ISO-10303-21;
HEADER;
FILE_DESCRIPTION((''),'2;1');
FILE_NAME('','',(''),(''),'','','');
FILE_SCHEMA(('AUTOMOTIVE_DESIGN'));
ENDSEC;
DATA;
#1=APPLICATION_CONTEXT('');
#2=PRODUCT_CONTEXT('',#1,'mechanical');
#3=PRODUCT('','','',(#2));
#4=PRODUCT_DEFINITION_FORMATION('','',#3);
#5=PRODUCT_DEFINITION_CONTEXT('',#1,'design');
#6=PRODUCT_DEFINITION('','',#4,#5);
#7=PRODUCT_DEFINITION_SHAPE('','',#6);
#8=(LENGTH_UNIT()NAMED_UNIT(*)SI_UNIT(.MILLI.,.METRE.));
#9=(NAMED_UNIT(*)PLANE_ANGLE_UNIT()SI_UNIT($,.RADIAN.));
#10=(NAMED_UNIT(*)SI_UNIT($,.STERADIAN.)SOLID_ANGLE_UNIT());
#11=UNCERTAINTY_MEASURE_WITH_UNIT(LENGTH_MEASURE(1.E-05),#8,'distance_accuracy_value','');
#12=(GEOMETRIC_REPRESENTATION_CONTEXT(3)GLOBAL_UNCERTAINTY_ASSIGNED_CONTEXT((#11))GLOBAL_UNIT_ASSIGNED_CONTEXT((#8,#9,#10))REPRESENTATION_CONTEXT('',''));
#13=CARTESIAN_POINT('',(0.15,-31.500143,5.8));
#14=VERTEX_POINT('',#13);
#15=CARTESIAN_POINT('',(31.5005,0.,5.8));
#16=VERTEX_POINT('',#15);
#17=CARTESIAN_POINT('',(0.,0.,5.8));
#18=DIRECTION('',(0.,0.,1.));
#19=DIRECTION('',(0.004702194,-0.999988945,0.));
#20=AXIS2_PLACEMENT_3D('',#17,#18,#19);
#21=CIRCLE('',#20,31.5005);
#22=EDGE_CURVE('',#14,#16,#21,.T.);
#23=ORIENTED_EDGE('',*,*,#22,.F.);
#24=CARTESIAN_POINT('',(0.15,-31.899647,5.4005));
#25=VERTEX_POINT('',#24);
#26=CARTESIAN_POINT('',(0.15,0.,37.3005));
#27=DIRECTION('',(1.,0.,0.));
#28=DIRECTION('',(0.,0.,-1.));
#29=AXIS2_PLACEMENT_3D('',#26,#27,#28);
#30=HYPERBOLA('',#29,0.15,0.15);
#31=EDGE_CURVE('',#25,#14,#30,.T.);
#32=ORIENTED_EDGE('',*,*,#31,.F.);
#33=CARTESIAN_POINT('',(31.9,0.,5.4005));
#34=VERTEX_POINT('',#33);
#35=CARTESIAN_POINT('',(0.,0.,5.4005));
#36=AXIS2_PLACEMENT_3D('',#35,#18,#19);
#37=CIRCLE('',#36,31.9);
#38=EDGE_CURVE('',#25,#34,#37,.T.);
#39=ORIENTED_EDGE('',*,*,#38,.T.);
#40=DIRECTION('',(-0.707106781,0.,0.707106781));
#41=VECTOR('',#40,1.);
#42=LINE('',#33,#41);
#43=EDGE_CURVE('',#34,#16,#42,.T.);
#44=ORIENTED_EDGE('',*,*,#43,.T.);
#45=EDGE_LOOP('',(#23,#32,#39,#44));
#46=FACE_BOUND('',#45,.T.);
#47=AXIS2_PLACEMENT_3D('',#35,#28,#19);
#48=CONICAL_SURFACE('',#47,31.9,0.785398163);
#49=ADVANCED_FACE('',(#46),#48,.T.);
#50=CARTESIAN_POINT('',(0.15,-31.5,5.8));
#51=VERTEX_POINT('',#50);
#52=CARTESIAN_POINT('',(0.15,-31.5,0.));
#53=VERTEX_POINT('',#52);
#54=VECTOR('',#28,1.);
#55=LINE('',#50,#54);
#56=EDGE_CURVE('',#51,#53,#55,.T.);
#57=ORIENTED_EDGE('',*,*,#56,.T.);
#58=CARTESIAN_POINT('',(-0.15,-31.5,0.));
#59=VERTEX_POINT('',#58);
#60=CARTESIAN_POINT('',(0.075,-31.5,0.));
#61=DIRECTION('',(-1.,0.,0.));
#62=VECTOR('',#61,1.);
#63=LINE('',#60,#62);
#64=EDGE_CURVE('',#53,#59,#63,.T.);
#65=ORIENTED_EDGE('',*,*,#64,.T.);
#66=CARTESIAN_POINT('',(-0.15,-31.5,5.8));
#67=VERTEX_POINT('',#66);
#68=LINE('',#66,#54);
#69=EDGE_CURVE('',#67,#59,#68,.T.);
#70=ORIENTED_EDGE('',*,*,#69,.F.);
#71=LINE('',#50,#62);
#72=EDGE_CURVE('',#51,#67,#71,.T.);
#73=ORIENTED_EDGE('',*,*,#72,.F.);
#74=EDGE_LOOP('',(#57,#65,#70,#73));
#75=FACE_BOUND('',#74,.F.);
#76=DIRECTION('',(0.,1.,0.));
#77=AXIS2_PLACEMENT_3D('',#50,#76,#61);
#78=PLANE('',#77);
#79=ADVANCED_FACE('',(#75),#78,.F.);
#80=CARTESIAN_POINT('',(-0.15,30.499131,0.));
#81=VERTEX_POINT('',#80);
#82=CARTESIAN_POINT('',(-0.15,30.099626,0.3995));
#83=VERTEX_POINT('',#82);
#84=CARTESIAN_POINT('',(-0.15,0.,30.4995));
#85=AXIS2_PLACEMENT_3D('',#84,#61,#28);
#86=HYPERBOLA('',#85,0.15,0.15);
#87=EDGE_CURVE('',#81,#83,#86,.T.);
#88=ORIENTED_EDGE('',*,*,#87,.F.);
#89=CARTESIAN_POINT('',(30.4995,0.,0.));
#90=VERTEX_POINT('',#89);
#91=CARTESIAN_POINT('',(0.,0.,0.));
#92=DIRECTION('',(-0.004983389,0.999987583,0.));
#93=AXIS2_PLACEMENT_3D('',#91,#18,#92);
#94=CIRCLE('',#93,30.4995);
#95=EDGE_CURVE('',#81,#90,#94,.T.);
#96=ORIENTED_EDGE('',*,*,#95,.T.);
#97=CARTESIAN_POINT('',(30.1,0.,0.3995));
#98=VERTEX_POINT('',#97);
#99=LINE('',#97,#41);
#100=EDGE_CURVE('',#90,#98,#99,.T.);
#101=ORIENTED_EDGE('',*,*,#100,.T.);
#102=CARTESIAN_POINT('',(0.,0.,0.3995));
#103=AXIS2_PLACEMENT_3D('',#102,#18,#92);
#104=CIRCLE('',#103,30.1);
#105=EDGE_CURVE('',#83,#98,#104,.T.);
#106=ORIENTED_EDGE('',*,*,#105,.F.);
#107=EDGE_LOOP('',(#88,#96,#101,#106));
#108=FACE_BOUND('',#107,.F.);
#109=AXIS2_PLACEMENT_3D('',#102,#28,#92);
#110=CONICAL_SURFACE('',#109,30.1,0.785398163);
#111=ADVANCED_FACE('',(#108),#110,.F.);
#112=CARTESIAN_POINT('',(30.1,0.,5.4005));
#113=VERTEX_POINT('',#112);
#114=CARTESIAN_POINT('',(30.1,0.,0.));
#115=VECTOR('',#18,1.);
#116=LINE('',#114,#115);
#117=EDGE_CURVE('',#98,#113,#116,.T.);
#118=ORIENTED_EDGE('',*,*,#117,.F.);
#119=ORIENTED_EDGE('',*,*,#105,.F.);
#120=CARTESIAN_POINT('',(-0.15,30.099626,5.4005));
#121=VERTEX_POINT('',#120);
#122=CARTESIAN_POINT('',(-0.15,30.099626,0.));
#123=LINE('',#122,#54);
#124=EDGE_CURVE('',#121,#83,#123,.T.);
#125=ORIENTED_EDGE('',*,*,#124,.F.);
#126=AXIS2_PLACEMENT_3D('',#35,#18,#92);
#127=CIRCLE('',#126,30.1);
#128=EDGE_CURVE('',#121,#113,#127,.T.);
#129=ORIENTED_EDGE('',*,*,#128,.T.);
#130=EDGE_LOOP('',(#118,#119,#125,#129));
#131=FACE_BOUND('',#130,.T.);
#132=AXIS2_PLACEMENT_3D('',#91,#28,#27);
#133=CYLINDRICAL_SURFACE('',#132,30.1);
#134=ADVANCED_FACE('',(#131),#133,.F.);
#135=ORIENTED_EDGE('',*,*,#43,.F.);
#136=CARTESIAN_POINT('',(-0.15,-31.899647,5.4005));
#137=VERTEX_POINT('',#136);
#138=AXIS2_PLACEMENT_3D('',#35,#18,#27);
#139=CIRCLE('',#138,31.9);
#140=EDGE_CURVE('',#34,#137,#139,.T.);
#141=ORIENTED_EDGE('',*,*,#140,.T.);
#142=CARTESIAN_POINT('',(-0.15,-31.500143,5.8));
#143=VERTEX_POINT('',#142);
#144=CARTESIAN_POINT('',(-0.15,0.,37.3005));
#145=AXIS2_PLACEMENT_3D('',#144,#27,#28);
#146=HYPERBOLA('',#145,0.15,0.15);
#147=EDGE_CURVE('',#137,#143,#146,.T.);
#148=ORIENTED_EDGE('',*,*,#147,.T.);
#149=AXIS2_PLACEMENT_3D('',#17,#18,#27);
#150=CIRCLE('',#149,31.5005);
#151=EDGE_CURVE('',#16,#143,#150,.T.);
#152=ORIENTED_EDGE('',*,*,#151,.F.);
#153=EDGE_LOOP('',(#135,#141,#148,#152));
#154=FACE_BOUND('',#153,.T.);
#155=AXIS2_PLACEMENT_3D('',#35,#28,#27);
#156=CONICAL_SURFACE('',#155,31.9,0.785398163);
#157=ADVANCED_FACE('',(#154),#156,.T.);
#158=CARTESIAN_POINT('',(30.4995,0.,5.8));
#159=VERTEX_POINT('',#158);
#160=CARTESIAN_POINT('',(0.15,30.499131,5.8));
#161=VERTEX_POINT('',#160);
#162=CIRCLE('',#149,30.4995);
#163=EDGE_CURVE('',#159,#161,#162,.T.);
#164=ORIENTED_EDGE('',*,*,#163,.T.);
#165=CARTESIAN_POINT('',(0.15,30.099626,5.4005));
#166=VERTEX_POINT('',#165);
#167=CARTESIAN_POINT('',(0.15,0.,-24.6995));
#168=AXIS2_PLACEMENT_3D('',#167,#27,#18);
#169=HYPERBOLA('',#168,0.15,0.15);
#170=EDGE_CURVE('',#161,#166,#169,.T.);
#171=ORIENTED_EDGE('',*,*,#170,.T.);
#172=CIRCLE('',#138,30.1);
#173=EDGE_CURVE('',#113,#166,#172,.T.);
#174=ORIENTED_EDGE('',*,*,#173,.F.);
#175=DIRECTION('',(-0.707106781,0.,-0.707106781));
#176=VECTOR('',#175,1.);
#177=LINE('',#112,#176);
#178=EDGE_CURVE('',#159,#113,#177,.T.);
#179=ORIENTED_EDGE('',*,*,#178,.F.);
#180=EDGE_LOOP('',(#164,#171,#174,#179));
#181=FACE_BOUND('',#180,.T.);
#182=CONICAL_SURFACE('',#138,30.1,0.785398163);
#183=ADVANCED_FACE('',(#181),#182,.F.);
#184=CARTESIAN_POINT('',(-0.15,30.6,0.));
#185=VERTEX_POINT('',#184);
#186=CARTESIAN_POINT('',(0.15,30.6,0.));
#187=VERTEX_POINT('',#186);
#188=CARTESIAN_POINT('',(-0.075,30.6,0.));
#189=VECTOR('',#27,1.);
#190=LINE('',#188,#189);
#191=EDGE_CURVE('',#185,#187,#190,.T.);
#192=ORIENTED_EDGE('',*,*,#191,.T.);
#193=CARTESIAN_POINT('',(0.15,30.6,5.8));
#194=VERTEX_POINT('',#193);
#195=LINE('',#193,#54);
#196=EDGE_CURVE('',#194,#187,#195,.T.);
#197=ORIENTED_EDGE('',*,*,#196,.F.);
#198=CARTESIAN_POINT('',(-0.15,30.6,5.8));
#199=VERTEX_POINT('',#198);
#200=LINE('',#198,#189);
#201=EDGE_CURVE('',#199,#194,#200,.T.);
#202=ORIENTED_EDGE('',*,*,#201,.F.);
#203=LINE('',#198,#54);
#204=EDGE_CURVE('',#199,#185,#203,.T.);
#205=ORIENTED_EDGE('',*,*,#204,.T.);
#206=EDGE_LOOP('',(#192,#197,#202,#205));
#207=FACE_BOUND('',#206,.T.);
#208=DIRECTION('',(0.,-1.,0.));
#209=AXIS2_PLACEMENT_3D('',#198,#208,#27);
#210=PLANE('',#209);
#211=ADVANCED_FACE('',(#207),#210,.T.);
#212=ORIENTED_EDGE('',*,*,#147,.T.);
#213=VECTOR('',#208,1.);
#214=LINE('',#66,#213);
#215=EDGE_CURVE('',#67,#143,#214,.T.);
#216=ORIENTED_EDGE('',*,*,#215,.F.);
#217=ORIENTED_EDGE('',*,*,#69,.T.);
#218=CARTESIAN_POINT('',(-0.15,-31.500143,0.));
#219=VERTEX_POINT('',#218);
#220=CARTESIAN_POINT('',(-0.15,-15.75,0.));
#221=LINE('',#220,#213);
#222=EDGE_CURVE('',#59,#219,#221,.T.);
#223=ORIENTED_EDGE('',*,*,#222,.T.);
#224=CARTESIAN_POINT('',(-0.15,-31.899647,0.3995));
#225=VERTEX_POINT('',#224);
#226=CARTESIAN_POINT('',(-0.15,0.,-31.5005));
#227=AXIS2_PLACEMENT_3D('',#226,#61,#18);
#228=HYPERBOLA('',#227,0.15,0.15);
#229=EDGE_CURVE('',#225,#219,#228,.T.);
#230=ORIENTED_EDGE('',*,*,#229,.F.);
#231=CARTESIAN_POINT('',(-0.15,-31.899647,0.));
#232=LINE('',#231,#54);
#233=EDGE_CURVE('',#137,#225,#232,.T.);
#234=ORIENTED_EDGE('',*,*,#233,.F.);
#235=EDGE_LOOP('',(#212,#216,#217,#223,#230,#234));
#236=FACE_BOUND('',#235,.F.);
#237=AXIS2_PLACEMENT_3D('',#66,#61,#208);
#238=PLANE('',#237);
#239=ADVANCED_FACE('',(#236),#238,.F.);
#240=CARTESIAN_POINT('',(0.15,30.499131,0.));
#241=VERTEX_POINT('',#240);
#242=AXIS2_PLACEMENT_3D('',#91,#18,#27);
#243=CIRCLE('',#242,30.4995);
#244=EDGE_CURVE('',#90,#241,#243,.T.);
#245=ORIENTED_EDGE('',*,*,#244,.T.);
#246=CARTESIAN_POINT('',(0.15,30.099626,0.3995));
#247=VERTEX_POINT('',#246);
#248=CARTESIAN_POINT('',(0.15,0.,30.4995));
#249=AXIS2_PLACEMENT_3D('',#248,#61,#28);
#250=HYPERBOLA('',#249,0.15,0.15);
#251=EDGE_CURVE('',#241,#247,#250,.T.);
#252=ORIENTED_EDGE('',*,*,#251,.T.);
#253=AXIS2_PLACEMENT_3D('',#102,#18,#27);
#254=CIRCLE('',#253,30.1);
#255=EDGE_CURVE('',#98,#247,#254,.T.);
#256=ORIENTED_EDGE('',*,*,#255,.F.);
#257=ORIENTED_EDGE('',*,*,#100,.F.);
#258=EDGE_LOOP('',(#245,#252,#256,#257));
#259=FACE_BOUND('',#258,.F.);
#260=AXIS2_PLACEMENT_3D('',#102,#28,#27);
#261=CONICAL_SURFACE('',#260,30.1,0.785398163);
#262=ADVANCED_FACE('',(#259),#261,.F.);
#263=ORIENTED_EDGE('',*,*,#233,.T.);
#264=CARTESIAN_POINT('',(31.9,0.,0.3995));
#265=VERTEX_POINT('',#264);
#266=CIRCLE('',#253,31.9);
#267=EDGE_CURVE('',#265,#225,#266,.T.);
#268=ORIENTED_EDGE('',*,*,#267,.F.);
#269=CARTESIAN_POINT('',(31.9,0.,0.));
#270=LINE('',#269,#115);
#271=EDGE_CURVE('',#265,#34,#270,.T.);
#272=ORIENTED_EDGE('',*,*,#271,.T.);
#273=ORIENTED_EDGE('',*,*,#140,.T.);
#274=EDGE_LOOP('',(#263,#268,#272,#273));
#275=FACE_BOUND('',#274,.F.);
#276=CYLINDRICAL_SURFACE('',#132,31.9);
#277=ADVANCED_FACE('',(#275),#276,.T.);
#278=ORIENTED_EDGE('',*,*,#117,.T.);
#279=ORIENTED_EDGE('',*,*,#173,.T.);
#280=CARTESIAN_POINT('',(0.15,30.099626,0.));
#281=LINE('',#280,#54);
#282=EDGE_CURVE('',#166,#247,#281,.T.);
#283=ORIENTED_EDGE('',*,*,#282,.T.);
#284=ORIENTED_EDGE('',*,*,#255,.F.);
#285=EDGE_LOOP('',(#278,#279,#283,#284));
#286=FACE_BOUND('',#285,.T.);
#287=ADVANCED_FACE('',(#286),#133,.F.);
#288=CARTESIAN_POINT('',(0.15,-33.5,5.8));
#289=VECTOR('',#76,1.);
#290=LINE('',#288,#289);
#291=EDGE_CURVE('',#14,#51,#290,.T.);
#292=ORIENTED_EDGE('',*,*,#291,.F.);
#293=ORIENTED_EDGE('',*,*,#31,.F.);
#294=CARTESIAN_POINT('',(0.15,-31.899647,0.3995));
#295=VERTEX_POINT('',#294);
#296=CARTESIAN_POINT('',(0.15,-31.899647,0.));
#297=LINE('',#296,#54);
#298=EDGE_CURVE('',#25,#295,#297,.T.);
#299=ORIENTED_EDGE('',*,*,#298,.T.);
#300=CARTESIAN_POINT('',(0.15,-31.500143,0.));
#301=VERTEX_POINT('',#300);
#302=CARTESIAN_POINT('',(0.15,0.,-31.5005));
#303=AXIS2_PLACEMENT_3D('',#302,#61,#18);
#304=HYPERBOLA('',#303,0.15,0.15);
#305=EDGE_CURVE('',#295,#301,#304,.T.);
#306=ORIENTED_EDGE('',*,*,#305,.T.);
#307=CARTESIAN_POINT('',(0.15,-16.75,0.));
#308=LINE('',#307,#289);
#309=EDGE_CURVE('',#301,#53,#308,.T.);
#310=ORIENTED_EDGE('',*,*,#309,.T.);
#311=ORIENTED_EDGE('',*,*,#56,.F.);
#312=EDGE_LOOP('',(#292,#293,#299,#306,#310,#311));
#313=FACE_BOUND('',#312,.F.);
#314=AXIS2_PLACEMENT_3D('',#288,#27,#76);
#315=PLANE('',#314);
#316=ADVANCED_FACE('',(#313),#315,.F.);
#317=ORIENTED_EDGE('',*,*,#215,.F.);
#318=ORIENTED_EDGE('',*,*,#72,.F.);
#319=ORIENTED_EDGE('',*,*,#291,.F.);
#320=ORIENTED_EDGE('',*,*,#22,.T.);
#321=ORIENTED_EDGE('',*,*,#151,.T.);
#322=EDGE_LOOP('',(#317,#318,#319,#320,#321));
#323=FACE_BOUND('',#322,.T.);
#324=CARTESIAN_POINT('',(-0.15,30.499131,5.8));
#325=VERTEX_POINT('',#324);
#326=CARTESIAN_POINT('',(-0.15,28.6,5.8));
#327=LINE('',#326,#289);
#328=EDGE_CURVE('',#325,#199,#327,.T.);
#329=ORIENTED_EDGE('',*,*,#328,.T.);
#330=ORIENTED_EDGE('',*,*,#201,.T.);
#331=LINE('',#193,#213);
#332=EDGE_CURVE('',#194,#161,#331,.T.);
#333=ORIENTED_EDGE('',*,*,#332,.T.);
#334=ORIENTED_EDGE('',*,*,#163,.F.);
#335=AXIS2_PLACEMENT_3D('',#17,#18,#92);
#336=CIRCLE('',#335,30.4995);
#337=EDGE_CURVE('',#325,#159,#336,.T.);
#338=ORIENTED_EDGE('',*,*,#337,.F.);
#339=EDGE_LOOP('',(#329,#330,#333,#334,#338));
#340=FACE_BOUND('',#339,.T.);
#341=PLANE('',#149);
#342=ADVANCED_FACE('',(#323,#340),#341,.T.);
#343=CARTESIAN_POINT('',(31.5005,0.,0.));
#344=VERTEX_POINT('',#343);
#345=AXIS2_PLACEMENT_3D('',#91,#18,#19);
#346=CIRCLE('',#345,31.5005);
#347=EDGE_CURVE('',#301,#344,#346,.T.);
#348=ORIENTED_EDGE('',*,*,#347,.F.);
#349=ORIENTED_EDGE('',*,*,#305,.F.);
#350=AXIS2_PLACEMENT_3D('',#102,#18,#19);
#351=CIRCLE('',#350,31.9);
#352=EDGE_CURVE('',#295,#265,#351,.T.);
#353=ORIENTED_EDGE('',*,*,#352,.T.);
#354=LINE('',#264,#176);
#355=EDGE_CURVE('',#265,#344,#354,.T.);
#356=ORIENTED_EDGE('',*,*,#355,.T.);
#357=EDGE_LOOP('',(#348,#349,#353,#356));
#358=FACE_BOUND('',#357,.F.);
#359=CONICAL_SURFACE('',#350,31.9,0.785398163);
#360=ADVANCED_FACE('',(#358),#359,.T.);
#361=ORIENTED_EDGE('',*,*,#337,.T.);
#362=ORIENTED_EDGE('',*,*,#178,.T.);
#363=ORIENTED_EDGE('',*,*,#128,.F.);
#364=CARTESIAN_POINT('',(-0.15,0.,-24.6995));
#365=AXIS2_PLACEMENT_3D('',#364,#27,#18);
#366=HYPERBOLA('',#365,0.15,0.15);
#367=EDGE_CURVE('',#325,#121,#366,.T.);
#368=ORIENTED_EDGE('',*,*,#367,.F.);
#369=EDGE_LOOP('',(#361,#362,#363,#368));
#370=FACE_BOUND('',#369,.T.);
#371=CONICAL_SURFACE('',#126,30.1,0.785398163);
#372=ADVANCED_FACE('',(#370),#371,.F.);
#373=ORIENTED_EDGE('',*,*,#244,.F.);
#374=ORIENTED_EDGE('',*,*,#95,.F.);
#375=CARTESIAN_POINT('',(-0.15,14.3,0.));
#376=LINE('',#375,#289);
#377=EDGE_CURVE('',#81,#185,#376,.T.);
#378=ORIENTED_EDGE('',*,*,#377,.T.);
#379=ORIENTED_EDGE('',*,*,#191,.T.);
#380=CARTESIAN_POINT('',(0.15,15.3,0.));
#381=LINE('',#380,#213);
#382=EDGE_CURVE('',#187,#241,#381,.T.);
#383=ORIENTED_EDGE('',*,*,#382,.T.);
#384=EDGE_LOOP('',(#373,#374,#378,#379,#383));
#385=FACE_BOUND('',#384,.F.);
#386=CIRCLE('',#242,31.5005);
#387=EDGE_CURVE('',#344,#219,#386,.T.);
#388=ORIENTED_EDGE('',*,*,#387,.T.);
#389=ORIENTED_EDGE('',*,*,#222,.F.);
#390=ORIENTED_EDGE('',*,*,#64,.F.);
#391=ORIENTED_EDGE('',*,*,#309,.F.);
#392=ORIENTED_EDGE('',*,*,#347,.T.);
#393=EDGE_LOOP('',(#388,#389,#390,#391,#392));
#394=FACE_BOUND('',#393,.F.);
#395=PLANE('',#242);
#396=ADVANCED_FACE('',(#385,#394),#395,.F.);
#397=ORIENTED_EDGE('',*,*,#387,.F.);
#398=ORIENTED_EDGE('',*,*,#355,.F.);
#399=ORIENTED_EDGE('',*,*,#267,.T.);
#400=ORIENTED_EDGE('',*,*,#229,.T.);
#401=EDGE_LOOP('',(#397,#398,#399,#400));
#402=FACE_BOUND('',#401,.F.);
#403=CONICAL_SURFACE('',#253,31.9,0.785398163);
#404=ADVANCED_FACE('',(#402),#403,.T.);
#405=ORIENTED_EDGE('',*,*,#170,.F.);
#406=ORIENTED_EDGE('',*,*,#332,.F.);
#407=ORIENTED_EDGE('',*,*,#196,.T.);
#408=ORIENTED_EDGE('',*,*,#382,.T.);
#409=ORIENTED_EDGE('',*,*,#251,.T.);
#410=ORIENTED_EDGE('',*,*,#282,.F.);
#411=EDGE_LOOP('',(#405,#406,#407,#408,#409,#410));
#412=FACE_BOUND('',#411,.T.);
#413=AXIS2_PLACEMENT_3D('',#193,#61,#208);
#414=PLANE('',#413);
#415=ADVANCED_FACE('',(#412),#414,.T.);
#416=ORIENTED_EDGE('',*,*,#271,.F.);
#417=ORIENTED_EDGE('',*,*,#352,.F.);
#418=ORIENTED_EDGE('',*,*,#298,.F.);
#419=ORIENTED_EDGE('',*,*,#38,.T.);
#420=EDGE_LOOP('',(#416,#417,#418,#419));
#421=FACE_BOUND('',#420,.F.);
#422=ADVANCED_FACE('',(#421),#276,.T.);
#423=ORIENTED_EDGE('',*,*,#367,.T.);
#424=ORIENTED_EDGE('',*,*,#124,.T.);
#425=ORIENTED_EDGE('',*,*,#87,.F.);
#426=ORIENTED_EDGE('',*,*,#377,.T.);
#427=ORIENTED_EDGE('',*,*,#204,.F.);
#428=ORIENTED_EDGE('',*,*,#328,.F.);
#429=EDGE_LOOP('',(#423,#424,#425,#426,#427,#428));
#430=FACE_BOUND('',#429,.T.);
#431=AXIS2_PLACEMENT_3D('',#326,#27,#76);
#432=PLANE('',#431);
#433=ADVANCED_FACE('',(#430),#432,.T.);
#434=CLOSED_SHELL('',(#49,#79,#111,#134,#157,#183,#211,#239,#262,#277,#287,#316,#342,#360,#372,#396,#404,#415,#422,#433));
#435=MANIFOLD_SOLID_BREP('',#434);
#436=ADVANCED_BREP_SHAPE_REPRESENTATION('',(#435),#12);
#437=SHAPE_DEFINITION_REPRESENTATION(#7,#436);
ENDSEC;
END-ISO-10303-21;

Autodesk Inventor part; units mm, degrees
ref_plane "YZ Plane" through (0, 0, 0) normal (1, 0, 0) x (0, 1, 0)
ref_plane "XZ Plane" through (0, 0, 0) normal (0, 1, 0) x (-1, 0, 0)
ref_plane "XY Plane" through (0, 0, 0) normal (0, 0, 1) x (1, 0, 0)
sketch "Sketch1" plane through (0, 0, 0) normal (0, 0, 1) x (1, 0, 0)
  circle A0 centre (0, 0) radius 30.1
  circle A1 centre (0, 0) radius 31.9
  dimension "d0" = 60.2
  dimension "d1" = 63.8
extrude "Extrusion1" add sketch "Sketch1" along normal blind 5.8
sketch "Sketch2" plane through (0, 0, 5.8) normal (0, 0, 1) x (1, 0, 0)
  line L0 (-0.15, 30.6) -> (0.15, 30.6)
  line L1 (0.15, 30.6) -> (0.15, 28.6)
  line L2 (0.15, 28.6) -> (-0.15, 28.6)
  line L3 (-0.15, 28.6) -> (-0.15, 30.6)
  line L4 (-0.15, -33.5) -> (0.15, -33.5)
  line L5 (0.15, -33.5) -> (0.15, -31.5)
  line L6 (0.15, -31.5) -> (-0.15, -31.5)
  line L7 (-0.15, -31.5) -> (-0.15, -33.5)
  point P0 (0, 0)
  point P1 (0, 28.6)
  point P2 (0, -31.5)
  dimension "d7" = 30.6
  dimension "d8" = 0.3
  dimension "d9" = 2
  dimension "d10" = 31.5
  dimension "d11" = 2
extrude "Extrusion2" cut sketch "Sketch2" against normal through all
chamfer "Chamfer1" distance 0.4 angle 45 8 edges at (-22.5036, 22.6097, 5.8) (22.6097, -22.5036, 5.8) (21.3369, 21.2308, 5.8) (-21.2308, -21.3369, 5.8) (-22.5036, 22.6097, 0) (22.6097, -22.5036, 0) (21.3369, 21.2308, 0) (-21.2308, -21.3369, 0)
properties part number "light-seam" material "ABS Plastic"
